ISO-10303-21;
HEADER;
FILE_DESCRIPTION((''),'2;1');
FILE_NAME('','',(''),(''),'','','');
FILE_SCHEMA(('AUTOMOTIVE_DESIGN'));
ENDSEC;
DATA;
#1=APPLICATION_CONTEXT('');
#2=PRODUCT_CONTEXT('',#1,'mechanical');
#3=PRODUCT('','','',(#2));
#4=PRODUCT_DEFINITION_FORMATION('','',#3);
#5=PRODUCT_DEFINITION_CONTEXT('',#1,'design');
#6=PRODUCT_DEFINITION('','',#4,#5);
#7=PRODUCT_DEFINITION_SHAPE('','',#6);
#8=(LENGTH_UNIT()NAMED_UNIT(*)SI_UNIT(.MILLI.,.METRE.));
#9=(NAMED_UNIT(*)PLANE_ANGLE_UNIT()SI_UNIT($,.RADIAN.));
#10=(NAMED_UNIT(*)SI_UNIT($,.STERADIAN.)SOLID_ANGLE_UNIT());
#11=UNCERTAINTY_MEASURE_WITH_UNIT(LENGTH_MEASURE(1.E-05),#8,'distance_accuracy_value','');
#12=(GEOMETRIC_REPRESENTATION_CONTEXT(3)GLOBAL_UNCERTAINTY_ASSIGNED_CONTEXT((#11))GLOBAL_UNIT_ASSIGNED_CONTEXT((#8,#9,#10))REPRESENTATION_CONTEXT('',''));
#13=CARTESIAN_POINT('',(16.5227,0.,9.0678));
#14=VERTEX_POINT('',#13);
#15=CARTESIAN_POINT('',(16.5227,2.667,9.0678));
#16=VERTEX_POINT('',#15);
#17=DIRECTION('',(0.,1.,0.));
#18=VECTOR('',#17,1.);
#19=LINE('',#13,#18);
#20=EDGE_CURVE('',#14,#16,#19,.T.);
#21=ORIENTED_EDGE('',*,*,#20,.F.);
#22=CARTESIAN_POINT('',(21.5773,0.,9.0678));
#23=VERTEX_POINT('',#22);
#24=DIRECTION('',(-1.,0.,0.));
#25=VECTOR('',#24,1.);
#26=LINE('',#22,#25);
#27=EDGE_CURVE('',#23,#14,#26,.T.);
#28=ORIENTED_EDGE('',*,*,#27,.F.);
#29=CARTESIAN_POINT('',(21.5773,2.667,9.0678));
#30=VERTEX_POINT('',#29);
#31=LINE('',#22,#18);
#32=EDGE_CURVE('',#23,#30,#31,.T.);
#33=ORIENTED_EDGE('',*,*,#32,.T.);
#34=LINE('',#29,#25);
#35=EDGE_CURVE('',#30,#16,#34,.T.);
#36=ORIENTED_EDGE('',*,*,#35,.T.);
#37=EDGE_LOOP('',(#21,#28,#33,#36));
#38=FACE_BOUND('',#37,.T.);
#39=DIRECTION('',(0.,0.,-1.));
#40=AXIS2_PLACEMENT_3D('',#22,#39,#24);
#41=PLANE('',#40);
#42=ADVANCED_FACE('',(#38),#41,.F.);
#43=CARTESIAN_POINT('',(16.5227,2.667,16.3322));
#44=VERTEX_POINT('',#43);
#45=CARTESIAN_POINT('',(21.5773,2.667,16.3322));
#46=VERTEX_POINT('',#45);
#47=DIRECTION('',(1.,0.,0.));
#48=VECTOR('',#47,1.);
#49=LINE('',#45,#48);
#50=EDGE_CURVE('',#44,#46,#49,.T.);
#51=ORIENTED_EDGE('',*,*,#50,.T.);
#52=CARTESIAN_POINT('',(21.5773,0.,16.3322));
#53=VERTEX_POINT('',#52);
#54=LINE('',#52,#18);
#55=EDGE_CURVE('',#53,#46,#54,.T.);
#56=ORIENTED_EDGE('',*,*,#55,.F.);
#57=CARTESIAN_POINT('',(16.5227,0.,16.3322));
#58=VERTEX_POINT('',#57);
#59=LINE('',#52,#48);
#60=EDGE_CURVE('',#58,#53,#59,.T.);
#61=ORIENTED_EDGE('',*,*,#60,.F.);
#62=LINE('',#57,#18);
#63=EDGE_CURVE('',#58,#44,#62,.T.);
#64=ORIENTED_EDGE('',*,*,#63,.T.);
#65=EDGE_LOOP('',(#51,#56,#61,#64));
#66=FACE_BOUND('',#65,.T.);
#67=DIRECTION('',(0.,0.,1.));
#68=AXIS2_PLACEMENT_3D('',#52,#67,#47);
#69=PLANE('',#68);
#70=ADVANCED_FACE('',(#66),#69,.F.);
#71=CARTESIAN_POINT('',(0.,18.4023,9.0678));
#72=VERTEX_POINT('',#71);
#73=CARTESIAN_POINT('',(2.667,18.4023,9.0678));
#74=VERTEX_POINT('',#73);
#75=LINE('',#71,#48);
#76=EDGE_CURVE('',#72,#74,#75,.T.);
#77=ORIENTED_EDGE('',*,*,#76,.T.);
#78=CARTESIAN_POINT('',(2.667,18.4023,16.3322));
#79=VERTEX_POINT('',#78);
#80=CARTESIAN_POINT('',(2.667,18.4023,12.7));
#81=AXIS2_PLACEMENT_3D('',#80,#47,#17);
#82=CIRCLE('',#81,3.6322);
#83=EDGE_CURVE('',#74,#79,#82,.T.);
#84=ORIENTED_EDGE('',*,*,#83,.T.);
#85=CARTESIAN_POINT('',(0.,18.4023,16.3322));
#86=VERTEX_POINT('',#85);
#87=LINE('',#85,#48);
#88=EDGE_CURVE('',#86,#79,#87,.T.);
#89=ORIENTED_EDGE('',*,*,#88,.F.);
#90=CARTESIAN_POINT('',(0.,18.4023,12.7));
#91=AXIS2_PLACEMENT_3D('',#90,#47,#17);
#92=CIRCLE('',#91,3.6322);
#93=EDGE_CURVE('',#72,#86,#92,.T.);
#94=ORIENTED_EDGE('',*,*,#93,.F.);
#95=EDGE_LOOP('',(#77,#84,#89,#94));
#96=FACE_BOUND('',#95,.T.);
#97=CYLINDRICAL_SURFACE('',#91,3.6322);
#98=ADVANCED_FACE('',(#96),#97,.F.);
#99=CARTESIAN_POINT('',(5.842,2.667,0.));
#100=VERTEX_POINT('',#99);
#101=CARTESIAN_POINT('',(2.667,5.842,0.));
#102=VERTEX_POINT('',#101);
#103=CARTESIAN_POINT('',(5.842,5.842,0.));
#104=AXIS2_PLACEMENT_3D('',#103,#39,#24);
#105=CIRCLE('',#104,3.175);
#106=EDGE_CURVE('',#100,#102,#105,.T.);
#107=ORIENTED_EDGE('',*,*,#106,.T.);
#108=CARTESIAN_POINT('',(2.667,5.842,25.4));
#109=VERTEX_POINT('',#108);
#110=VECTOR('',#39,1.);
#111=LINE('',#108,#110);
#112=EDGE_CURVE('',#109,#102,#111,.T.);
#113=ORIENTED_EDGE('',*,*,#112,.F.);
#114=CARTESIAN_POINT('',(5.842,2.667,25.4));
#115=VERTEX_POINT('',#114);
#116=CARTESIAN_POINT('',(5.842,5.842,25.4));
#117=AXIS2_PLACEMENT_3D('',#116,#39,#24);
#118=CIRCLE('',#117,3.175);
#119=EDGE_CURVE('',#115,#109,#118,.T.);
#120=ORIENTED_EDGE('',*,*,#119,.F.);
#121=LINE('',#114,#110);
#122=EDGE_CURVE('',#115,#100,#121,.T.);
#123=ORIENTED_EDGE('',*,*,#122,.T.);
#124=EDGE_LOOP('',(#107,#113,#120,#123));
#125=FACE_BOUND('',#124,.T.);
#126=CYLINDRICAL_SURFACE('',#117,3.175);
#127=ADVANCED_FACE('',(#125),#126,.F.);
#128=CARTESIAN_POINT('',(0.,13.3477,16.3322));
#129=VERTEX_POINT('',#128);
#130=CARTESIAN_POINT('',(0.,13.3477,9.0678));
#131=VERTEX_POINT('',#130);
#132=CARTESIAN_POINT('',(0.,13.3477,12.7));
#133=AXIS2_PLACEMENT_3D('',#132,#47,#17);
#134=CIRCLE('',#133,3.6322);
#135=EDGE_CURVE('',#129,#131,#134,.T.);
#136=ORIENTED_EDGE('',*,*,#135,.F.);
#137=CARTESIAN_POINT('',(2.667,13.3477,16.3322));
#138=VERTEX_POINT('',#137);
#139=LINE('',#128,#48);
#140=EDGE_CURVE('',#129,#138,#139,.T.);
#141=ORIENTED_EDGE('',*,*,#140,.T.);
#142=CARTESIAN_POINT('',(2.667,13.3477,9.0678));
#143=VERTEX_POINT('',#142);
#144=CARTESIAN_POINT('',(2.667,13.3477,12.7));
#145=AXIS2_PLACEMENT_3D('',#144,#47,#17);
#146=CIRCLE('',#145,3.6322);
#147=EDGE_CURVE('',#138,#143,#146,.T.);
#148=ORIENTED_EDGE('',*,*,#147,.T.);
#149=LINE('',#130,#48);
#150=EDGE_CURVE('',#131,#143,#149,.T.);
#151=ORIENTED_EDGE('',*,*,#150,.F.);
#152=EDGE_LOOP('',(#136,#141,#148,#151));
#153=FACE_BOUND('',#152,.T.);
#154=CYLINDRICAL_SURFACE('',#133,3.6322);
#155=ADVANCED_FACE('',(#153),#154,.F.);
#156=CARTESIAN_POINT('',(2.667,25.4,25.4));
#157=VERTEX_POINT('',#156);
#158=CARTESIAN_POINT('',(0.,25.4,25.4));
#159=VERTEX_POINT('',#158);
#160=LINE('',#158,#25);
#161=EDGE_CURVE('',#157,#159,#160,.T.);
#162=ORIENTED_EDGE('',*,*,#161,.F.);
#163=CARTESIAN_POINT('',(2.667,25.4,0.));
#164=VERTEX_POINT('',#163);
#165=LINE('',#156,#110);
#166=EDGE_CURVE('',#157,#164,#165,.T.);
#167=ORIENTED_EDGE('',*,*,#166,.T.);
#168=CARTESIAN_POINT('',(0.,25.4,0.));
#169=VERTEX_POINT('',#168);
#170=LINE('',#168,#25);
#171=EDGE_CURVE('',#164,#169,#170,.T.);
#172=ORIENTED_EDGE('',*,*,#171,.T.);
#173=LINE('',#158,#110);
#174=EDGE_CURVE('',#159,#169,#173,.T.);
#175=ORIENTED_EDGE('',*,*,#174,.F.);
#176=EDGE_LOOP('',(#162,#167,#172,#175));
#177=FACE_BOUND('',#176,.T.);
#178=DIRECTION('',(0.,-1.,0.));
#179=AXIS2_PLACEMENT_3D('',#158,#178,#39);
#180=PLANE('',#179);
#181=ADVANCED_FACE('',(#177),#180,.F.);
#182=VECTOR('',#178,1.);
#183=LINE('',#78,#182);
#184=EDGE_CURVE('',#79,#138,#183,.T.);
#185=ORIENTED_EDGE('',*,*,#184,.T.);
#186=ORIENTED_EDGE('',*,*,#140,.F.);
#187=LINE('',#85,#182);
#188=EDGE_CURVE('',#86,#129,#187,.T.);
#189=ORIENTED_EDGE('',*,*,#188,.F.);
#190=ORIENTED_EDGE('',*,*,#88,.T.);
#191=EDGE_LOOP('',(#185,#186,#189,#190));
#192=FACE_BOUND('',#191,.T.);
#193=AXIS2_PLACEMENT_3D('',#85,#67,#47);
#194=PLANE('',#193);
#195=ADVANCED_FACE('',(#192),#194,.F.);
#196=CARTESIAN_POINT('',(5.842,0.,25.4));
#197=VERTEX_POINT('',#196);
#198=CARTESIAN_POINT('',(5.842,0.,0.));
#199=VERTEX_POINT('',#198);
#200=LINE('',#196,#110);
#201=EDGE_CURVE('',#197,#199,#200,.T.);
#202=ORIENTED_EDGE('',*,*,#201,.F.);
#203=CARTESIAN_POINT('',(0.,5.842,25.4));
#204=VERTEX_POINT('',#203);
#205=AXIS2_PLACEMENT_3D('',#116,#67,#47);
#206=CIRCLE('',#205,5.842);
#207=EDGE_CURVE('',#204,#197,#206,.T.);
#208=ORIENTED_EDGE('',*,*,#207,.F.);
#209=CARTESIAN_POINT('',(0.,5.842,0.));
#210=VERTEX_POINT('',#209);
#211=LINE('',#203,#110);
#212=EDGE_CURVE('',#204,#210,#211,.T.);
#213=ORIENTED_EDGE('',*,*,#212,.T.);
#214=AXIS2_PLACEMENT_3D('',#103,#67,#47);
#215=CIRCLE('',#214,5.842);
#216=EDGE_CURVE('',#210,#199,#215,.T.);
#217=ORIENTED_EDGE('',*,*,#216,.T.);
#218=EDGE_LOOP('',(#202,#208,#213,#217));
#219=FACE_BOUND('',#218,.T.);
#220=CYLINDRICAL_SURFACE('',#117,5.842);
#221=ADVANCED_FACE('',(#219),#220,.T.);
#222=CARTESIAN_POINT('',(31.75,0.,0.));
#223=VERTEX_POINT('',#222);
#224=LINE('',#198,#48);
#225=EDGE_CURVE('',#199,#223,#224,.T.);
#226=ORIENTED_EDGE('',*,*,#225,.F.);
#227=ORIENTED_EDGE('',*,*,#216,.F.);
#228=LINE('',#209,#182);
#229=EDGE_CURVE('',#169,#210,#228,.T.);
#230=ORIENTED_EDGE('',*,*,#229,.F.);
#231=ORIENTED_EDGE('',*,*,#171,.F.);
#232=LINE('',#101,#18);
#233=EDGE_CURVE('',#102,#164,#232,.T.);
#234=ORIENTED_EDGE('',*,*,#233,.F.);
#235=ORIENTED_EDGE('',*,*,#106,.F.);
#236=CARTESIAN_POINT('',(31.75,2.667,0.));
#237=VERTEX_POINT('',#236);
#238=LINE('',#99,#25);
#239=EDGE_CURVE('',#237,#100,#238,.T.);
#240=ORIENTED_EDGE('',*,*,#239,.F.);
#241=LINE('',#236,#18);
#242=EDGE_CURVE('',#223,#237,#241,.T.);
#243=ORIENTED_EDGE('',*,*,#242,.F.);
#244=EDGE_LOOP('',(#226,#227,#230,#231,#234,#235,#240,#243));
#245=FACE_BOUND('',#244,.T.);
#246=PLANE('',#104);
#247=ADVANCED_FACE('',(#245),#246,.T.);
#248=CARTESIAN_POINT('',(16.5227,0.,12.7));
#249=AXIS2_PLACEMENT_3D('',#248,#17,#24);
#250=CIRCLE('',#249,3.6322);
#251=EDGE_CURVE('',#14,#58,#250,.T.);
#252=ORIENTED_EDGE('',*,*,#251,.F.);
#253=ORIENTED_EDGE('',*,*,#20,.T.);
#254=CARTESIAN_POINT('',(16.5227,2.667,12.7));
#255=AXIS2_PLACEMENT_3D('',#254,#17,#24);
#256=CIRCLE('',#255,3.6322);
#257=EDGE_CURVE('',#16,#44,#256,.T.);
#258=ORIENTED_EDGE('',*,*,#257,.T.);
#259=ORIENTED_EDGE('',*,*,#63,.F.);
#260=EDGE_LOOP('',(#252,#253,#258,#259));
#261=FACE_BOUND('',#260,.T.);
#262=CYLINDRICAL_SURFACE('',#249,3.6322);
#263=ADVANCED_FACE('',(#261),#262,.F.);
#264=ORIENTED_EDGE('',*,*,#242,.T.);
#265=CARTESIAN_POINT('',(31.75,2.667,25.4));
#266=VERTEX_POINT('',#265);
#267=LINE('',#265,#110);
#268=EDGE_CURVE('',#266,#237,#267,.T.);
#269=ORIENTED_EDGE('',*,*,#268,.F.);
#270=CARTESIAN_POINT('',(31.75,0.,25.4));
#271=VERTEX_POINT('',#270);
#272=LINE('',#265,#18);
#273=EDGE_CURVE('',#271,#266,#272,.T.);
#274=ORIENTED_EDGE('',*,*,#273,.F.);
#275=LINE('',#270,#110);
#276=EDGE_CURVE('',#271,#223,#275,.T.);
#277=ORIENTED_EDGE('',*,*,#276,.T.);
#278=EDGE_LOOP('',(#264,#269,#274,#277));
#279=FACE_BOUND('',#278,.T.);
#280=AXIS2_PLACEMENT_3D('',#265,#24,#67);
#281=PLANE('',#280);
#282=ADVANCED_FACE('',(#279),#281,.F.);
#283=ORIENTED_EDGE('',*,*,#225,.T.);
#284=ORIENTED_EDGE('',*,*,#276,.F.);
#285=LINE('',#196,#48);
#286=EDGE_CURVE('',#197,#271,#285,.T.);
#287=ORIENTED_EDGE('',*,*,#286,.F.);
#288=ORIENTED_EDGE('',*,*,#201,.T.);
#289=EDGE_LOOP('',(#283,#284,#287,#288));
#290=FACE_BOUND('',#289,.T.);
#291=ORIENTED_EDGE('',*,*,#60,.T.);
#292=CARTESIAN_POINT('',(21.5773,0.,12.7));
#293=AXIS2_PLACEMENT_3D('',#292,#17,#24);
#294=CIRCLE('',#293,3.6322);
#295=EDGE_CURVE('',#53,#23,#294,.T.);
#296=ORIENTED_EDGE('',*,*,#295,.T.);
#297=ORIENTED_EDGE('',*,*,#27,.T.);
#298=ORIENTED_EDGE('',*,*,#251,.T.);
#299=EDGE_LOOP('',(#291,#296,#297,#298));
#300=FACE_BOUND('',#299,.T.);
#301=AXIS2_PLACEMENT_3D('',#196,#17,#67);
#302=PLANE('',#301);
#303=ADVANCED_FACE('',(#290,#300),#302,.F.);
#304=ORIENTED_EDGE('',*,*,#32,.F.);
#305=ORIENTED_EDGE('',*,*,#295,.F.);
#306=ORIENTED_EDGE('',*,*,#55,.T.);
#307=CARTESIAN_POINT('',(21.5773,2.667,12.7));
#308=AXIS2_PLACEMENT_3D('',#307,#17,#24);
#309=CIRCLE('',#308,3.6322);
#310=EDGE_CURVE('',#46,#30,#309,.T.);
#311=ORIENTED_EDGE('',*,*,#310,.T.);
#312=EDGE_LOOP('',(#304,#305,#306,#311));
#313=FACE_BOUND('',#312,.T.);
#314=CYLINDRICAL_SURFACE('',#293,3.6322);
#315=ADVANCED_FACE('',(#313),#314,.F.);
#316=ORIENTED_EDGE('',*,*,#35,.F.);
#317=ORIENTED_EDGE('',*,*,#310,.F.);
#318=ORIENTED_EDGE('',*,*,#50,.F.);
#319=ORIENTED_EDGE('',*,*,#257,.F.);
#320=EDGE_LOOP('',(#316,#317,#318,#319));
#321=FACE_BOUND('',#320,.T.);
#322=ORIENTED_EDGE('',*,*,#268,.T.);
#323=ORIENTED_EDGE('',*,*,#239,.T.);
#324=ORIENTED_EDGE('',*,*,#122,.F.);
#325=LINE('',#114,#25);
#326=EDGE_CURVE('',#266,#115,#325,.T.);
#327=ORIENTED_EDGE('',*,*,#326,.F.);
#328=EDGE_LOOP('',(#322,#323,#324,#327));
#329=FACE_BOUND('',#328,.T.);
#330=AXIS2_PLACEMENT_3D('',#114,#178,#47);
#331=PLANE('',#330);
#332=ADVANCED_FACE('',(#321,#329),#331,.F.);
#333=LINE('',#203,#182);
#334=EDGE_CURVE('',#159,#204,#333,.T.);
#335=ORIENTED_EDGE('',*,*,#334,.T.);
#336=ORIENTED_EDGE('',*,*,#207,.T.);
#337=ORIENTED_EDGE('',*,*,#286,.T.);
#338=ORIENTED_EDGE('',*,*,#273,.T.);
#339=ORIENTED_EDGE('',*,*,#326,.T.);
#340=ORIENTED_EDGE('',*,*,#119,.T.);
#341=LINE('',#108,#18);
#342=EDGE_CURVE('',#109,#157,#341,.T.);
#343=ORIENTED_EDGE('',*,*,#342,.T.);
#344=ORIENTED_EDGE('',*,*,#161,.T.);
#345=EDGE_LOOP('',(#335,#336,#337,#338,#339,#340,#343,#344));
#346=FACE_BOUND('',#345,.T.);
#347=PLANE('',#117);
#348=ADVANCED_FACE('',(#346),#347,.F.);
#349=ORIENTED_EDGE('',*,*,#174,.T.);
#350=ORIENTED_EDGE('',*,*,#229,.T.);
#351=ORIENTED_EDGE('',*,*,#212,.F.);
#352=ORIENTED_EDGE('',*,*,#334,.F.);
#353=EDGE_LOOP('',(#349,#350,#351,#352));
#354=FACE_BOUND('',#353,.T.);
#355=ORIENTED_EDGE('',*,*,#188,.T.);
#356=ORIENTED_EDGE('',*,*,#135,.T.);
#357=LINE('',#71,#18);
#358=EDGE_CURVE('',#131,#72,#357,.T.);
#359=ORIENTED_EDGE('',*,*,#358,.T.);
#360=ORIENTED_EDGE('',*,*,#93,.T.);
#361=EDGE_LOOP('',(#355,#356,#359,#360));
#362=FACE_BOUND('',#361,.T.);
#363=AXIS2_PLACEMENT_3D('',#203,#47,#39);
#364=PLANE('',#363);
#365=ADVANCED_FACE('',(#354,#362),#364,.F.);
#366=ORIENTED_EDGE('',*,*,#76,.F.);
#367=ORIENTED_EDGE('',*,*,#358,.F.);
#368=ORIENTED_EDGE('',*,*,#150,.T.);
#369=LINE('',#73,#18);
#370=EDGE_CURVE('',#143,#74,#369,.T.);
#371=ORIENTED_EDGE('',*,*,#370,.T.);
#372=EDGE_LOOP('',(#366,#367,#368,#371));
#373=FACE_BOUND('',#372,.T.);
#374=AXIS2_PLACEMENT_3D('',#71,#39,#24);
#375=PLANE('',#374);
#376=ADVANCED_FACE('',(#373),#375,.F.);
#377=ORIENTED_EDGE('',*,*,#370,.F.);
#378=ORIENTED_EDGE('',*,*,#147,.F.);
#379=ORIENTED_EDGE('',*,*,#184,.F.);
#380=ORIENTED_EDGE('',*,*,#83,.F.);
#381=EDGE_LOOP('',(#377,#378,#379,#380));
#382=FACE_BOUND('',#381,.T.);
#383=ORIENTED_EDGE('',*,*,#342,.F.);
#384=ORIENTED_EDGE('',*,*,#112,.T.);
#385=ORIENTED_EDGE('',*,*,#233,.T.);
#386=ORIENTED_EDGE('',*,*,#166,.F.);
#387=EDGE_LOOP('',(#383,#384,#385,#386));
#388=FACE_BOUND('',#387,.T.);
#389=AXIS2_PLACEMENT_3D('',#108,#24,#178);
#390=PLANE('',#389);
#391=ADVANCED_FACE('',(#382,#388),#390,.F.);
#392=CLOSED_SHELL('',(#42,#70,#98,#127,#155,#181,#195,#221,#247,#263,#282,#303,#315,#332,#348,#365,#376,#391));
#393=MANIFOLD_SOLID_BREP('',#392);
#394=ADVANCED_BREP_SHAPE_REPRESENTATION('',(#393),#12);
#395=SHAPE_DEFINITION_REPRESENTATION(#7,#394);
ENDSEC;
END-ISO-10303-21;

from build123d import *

# Parameters (mm, degrees)
BOSS_EXTRUDE1_DEPTH = 25.4
CUT_EXTRUDE1_DEPTH  = 47.218404224
CUT_EXTRUDE2_DEPTH  = 47.583385332


with BuildPart() as part:
    # Sketch2 → Boss-Extrude1 (new body)
    with BuildSketch(Plane.XY):
        with BuildLine():
            Line((0, 5.842), (0, 25.4))
            Line((0, 25.4), (2.667, 25.4))
            Line((2.667, 25.4), (2.667, 5.842))
            ThreePointArc((2.667, 5.842), (3.59693597, 3.59693597), (5.842, 2.667))
            Line((5.842, 2.667), (31.75, 2.667))
            Line((31.75, 2.667), (31.75, 0))
            Line((31.75, 0), (5.842, 0))
            ThreePointArc((5.842, 0), (1.711082184, 1.711082184), (0, 5.842))
        make_face()
    extrude(amount=BOSS_EXTRUDE1_DEPTH)

    # Sketch3 → Cut-Extrude1 (cut, through all)
    with BuildSketch(Plane(origin=(2.667, 0, 0), x_dir=(0, 0, -1), z_dir=(1, 0, 0))):
        with BuildLine():
            Line((-9.0678, 18.4023), (-9.0678, 13.3477))
            ThreePointArc((-9.0678, 13.3477), (-12.7, 9.7155), (-16.3322, 13.3477))
            Line((-16.3322, 13.3477), (-16.3322, 18.4023))
            ThreePointArc((-16.3322, 18.4023), (-12.7, 22.0345), (-9.0678, 18.4023))
        make_face()
    extrude(amount=-CUT_EXTRUDE1_DEPTH, mode=Mode.SUBTRACT)

    # Sketch4 → Cut-Extrude2 (cut, through all)
    with BuildSketch(Plane(origin=(0, 2.667, 0), x_dir=(1, 0, 0), z_dir=(0, 1, 0))):
        with BuildLine():
            Line((21.5773, -16.3322), (16.5227, -16.3322))
            ThreePointArc((16.5227, -16.3322), (12.8905, -12.7), (16.5227, -9.0678))
            Line((16.5227, -9.0678), (21.5773, -9.0678))
            ThreePointArc((21.5773, -9.0678), (25.2095, -12.7), (21.5773, -16.3322))
        make_face()
    extrude(amount=-CUT_EXTRUDE2_DEPTH, mode=Mode.SUBTRACT)


solid = part.part
